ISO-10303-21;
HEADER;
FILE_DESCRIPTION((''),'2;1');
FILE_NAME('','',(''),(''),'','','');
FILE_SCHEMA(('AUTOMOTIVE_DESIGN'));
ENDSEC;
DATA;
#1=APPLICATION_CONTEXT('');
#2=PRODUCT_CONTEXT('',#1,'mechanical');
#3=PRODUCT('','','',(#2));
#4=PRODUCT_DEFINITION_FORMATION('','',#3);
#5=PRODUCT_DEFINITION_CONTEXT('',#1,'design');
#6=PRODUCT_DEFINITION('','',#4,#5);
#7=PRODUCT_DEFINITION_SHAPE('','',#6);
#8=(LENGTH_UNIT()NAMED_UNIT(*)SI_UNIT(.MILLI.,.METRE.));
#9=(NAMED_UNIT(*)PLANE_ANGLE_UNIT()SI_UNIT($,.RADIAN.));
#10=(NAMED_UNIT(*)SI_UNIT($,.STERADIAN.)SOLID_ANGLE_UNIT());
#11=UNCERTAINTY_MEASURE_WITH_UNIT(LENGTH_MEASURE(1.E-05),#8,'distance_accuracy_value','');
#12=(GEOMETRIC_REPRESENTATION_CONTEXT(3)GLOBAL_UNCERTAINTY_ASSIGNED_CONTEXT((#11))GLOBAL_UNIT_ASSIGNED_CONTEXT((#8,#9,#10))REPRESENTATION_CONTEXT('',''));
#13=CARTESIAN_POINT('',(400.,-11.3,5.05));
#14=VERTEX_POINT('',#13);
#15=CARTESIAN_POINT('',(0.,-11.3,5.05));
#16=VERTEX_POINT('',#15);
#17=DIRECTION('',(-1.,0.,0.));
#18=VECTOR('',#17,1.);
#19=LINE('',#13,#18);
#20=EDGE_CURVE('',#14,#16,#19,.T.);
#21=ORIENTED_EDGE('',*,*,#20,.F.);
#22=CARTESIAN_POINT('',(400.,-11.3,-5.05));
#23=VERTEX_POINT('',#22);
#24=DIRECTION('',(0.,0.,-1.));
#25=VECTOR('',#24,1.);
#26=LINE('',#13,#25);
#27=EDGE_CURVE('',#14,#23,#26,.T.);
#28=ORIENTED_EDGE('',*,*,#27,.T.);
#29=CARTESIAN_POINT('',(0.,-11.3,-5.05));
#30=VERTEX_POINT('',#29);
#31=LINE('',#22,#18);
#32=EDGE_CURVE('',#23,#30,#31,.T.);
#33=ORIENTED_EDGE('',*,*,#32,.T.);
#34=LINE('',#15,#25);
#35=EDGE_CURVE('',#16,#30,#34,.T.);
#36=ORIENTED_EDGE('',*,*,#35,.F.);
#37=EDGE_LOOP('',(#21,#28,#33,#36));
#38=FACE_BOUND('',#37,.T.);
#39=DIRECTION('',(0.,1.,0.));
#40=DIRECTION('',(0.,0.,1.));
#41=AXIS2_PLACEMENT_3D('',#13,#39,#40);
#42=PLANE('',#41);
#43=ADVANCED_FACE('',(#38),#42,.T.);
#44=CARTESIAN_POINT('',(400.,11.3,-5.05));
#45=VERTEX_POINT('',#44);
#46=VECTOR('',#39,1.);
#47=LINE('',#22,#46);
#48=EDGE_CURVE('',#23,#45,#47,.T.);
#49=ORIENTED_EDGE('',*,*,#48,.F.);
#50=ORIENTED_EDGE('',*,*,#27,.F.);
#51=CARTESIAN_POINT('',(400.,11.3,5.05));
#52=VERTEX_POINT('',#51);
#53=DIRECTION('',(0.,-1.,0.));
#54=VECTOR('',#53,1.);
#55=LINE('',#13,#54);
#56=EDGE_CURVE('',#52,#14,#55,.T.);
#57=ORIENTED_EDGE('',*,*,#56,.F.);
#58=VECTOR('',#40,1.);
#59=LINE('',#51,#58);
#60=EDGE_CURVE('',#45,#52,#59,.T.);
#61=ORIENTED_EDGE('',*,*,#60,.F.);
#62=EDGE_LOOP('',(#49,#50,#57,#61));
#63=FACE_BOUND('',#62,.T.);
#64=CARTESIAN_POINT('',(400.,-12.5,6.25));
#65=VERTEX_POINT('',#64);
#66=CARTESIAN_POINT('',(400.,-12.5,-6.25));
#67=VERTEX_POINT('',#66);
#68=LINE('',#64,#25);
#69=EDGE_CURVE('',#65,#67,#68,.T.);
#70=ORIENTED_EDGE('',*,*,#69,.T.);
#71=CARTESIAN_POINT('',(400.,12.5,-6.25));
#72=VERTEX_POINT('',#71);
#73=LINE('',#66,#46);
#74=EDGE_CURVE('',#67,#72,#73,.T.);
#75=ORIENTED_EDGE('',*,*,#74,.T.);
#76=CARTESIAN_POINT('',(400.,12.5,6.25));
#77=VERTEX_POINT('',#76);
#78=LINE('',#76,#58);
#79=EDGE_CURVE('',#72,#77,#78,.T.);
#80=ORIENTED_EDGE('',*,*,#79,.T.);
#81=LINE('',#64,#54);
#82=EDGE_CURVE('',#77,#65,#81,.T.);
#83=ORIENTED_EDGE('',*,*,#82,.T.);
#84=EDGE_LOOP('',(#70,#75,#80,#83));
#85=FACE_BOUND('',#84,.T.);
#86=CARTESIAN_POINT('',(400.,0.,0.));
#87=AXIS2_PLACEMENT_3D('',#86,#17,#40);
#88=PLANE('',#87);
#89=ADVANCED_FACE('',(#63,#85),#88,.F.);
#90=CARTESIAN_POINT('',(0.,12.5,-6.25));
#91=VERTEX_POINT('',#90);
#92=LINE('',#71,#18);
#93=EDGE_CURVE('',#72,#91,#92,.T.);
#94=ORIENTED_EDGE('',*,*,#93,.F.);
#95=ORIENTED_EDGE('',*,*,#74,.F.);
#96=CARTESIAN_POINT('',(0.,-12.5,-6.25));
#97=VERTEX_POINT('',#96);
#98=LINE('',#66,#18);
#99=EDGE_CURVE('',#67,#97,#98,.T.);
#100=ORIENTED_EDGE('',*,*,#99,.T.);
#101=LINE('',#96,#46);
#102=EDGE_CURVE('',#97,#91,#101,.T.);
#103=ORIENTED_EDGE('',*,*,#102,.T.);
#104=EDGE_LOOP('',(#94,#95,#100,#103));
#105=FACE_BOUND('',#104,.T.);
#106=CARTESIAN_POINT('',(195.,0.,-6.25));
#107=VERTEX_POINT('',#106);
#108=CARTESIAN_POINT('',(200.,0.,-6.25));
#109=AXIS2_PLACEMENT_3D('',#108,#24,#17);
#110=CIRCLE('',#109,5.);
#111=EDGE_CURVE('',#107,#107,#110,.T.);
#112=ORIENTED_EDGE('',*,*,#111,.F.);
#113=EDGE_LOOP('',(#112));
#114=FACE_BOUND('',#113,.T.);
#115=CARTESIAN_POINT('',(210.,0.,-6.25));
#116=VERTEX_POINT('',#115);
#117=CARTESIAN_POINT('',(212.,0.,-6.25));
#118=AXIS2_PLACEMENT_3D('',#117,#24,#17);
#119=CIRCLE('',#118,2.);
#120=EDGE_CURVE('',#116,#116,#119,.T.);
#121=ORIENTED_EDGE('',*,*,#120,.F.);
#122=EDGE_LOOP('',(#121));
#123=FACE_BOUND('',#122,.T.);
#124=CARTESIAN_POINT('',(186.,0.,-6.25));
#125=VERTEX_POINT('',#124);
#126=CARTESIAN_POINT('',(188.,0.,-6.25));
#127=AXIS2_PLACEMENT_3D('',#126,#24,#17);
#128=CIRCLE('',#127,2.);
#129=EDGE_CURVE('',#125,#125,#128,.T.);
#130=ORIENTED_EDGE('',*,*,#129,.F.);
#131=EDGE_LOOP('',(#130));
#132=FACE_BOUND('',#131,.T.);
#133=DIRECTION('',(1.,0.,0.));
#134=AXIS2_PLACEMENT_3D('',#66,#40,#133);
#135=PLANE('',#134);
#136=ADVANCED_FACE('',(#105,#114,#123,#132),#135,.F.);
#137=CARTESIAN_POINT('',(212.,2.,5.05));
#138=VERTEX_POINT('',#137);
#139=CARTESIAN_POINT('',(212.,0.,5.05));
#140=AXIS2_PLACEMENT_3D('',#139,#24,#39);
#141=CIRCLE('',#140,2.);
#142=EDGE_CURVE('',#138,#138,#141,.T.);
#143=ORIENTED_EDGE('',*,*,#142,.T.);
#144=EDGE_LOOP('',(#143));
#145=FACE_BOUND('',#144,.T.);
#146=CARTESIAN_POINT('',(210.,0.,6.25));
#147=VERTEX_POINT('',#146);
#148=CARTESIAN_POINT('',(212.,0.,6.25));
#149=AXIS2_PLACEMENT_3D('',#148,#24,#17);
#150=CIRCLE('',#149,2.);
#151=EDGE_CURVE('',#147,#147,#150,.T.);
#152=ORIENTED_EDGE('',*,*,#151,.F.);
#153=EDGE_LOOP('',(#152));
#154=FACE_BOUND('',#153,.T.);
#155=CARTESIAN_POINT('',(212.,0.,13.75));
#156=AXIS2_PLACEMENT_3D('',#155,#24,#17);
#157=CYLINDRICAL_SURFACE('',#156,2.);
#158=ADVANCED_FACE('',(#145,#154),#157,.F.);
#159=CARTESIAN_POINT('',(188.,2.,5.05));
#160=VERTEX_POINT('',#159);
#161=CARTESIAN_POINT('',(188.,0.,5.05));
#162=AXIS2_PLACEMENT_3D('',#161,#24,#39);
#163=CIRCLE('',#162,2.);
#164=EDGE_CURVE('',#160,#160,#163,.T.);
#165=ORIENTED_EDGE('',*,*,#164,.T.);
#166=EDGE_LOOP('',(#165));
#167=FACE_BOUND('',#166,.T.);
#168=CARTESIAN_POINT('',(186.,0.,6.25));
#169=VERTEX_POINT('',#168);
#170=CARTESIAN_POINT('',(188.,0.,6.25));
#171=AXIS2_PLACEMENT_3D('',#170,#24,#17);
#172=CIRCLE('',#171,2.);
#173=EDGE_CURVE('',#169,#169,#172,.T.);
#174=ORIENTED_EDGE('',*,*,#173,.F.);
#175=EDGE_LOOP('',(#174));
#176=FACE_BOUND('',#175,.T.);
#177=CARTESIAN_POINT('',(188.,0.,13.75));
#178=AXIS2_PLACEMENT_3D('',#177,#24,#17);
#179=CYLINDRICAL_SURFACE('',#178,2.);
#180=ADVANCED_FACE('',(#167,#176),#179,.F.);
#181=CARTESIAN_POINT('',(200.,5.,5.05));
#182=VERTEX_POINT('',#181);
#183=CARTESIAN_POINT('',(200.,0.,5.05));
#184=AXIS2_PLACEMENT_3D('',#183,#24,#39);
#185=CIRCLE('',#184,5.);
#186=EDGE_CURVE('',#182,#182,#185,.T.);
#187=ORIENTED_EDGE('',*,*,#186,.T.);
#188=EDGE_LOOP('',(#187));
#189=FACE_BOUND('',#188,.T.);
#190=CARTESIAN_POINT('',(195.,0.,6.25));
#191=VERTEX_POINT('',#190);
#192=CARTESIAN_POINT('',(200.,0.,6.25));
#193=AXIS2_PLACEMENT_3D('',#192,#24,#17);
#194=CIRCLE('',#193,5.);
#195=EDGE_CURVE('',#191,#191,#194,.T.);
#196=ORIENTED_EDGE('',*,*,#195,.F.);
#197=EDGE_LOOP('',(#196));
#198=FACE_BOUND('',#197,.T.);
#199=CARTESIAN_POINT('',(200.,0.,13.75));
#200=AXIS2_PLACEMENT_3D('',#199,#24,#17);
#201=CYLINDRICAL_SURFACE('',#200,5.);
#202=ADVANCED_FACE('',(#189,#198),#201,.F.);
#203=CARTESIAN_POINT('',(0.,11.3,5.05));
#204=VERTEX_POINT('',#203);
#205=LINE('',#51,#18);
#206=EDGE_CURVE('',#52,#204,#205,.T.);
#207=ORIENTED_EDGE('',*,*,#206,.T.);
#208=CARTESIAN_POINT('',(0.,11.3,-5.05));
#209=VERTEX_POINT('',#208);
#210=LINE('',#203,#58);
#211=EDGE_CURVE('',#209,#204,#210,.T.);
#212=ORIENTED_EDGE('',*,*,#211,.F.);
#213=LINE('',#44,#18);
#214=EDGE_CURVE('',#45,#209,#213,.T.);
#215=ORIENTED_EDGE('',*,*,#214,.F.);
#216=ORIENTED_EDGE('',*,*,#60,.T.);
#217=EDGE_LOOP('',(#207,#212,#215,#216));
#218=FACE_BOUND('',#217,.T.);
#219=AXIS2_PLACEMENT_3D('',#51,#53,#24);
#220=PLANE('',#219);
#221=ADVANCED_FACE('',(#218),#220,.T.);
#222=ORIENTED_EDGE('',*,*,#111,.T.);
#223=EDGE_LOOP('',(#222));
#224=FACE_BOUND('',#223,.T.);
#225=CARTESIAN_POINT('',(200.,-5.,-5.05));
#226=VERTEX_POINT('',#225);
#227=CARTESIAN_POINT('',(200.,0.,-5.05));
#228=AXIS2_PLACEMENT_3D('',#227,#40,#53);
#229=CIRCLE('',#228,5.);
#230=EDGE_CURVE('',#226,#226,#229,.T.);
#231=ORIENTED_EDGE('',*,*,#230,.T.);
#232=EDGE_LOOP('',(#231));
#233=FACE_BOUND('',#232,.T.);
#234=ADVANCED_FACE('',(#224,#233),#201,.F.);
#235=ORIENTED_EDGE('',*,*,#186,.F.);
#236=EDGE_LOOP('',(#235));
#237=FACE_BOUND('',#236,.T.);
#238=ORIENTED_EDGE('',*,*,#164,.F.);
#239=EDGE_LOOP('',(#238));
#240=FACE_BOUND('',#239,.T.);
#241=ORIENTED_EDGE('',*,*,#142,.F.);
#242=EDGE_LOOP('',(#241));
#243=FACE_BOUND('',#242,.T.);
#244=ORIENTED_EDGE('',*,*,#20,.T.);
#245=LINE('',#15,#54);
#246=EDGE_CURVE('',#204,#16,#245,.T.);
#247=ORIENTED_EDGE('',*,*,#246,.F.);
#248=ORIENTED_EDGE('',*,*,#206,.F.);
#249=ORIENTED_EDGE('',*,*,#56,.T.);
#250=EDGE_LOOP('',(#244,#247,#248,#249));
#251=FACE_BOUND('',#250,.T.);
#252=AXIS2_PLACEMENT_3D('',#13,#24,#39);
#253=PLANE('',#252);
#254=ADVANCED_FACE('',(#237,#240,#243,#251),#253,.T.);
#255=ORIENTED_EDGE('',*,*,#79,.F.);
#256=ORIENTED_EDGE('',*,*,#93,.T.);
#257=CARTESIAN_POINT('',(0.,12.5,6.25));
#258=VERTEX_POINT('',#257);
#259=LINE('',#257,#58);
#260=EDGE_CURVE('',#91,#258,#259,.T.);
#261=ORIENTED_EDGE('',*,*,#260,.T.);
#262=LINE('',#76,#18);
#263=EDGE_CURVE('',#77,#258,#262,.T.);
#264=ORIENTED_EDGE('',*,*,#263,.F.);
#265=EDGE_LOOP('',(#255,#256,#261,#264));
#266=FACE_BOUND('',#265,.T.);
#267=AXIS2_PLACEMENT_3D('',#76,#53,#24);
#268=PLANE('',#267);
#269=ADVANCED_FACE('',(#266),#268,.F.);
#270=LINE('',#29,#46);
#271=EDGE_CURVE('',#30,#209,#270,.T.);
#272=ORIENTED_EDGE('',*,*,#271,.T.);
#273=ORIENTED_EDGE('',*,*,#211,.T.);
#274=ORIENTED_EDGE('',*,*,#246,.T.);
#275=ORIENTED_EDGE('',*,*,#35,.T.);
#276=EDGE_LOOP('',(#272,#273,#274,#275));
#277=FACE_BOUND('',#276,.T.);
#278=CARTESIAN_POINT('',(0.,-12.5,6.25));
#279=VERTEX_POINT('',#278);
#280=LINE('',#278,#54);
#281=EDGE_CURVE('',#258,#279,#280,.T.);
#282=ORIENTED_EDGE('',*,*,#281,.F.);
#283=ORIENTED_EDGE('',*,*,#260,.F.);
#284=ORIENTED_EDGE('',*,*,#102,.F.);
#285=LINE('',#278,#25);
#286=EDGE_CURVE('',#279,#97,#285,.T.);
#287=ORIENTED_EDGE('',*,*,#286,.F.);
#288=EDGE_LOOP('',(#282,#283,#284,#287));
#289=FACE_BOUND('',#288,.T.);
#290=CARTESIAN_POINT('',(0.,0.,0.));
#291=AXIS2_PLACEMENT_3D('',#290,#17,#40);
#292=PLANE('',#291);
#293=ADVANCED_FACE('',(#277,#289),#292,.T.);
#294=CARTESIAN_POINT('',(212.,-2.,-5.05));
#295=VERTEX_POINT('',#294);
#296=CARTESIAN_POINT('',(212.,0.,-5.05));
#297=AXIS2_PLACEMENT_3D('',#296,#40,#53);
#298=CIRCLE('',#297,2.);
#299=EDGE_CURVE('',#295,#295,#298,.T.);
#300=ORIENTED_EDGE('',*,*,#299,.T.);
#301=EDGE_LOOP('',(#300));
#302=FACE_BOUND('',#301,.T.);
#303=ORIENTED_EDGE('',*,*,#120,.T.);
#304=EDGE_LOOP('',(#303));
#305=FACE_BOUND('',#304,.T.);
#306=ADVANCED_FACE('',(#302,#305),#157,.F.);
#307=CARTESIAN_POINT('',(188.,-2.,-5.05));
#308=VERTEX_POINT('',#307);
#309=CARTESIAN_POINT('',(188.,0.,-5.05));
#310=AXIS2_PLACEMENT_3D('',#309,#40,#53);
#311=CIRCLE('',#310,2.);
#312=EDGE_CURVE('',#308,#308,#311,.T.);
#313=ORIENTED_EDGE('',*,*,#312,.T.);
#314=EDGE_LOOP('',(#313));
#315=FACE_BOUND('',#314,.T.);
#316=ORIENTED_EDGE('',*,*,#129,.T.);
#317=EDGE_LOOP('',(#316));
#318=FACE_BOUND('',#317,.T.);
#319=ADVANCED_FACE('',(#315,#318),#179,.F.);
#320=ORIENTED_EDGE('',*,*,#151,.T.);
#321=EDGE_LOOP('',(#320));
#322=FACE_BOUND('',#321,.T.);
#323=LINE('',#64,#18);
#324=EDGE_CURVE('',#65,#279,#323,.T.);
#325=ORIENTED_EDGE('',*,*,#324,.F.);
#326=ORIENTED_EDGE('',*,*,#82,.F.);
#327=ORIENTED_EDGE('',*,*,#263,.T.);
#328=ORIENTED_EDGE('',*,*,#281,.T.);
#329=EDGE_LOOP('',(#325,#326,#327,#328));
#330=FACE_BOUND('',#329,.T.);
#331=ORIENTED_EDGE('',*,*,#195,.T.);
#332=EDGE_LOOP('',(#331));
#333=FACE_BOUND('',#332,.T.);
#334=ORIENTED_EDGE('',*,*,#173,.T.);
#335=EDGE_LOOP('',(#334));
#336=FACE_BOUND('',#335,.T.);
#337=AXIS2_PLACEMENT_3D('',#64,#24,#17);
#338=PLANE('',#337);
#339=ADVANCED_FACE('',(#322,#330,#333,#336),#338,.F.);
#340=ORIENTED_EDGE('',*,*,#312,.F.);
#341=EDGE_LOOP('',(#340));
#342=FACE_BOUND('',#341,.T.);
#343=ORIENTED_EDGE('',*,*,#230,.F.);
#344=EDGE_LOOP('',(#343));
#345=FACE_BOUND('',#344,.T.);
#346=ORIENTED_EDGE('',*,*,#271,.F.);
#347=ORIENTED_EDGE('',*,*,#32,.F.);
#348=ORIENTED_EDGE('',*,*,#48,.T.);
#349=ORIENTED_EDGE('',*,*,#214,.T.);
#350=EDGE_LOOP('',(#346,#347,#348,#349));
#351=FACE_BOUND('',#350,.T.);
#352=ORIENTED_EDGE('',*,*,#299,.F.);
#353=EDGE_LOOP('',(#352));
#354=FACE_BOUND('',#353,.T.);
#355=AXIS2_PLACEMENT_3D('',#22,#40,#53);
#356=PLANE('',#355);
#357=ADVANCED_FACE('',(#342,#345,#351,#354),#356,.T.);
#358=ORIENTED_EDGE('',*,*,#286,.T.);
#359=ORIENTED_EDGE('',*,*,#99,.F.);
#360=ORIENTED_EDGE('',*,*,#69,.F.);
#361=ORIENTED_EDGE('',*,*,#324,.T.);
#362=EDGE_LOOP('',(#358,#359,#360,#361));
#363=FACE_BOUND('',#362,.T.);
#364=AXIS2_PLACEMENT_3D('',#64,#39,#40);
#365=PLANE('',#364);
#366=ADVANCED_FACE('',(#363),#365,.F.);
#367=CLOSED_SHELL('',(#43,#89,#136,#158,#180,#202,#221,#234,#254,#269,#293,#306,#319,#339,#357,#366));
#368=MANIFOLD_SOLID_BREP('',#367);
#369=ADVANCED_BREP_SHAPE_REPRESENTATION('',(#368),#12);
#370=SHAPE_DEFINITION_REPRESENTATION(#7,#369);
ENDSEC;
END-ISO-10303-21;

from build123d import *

# Parameters (mm, degrees)
SKETCH1_W           = 12.5
SKETCH1_H           = 25
SKETCH1_W_2         = 10.1
SKETCH1_H_2         = 22.6
BOSS_EXTRUDE1_DEPTH = 400
SKETCH3_R           = 5
SKETCH3_R_2         = 2
CUT_EXTRUDE1_DEPTH  = 20


with BuildPart() as part:
    # Sketch1 → Boss-Extrude1 (new body)
    with BuildSketch(Plane(origin=(0, 0, 0), x_dir=(0, 0, -1), z_dir=(1, 0, 0))):
        Rectangle(SKETCH1_W, SKETCH1_H)
        Rectangle(SKETCH1_W_2, SKETCH1_H_2, mode=Mode.SUBTRACT)
    extrude(amount=BOSS_EXTRUDE1_DEPTH)

    # Sketch3 → Cut-Extrude1 (cut)
    with BuildSketch(Plane(origin=(0, 0, -6.25), x_dir=(-1, 0, 0), z_dir=(0, 0, -1))):
        with Locations((-200, 0)):
            Circle(SKETCH3_R)
        with Locations((-188, 0)):
            Circle(SKETCH3_R_2)
        with Locations((-212, 0)):
            Circle(SKETCH3_R_2)
    extrude(amount=-CUT_EXTRUDE1_DEPTH, mode=Mode.SUBTRACT)


solid = part.part
